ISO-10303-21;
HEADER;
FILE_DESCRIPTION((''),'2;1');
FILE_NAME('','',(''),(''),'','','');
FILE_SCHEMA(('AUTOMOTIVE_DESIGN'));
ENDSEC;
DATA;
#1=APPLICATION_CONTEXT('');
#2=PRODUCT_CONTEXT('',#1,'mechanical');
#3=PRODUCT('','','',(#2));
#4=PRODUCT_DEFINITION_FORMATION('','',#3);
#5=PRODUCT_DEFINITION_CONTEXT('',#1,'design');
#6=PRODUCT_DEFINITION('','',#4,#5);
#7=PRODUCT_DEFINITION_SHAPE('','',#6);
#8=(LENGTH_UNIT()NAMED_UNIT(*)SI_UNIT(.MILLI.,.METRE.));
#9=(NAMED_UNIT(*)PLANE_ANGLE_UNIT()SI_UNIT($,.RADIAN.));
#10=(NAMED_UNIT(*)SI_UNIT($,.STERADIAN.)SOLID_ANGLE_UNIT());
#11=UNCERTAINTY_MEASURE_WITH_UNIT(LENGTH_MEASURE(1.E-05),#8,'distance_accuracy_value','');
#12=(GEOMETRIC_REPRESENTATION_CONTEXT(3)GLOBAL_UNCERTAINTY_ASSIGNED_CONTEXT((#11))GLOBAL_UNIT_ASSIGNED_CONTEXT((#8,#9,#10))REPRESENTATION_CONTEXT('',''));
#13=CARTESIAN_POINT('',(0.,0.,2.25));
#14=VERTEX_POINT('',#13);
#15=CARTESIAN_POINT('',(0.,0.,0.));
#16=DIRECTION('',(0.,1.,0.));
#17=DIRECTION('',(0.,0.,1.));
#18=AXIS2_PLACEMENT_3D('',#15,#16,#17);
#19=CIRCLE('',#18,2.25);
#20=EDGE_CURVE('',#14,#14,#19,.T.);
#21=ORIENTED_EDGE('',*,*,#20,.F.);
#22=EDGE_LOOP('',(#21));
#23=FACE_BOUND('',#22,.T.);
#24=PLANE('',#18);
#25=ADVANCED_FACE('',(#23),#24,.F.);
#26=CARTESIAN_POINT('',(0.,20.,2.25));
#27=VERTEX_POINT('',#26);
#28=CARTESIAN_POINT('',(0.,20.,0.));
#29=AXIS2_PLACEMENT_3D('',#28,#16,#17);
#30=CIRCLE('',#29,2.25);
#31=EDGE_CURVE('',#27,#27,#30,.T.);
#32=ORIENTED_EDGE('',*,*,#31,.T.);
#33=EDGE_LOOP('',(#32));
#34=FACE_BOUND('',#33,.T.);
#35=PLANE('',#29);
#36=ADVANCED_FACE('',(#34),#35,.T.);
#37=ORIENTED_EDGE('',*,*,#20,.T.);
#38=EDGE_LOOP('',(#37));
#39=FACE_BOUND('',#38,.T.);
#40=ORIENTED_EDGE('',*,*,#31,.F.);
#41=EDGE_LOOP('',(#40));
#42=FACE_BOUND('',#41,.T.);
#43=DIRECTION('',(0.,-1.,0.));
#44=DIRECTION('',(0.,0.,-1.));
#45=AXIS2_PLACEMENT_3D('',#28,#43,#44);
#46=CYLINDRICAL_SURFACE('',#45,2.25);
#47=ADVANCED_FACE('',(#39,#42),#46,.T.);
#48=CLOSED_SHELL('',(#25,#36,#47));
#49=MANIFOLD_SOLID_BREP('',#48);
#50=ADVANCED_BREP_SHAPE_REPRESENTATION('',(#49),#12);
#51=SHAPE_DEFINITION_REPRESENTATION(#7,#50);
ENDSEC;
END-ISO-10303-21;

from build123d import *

# Parameters (mm, degrees)
SKETCH_1_R      = 2.25
EXTRUDE_1_DEPTH = 20


with BuildPart() as part:
    # 草图1 → 凸台-拉伸1 (new body)
    with BuildSketch(Plane(origin=(0, 0, 0), x_dir=(1, 0, 0), z_dir=(0, 1, 0))):
        Circle(SKETCH_1_R)
    extrude(amount=EXTRUDE_1_DEPTH)


solid = part.part
